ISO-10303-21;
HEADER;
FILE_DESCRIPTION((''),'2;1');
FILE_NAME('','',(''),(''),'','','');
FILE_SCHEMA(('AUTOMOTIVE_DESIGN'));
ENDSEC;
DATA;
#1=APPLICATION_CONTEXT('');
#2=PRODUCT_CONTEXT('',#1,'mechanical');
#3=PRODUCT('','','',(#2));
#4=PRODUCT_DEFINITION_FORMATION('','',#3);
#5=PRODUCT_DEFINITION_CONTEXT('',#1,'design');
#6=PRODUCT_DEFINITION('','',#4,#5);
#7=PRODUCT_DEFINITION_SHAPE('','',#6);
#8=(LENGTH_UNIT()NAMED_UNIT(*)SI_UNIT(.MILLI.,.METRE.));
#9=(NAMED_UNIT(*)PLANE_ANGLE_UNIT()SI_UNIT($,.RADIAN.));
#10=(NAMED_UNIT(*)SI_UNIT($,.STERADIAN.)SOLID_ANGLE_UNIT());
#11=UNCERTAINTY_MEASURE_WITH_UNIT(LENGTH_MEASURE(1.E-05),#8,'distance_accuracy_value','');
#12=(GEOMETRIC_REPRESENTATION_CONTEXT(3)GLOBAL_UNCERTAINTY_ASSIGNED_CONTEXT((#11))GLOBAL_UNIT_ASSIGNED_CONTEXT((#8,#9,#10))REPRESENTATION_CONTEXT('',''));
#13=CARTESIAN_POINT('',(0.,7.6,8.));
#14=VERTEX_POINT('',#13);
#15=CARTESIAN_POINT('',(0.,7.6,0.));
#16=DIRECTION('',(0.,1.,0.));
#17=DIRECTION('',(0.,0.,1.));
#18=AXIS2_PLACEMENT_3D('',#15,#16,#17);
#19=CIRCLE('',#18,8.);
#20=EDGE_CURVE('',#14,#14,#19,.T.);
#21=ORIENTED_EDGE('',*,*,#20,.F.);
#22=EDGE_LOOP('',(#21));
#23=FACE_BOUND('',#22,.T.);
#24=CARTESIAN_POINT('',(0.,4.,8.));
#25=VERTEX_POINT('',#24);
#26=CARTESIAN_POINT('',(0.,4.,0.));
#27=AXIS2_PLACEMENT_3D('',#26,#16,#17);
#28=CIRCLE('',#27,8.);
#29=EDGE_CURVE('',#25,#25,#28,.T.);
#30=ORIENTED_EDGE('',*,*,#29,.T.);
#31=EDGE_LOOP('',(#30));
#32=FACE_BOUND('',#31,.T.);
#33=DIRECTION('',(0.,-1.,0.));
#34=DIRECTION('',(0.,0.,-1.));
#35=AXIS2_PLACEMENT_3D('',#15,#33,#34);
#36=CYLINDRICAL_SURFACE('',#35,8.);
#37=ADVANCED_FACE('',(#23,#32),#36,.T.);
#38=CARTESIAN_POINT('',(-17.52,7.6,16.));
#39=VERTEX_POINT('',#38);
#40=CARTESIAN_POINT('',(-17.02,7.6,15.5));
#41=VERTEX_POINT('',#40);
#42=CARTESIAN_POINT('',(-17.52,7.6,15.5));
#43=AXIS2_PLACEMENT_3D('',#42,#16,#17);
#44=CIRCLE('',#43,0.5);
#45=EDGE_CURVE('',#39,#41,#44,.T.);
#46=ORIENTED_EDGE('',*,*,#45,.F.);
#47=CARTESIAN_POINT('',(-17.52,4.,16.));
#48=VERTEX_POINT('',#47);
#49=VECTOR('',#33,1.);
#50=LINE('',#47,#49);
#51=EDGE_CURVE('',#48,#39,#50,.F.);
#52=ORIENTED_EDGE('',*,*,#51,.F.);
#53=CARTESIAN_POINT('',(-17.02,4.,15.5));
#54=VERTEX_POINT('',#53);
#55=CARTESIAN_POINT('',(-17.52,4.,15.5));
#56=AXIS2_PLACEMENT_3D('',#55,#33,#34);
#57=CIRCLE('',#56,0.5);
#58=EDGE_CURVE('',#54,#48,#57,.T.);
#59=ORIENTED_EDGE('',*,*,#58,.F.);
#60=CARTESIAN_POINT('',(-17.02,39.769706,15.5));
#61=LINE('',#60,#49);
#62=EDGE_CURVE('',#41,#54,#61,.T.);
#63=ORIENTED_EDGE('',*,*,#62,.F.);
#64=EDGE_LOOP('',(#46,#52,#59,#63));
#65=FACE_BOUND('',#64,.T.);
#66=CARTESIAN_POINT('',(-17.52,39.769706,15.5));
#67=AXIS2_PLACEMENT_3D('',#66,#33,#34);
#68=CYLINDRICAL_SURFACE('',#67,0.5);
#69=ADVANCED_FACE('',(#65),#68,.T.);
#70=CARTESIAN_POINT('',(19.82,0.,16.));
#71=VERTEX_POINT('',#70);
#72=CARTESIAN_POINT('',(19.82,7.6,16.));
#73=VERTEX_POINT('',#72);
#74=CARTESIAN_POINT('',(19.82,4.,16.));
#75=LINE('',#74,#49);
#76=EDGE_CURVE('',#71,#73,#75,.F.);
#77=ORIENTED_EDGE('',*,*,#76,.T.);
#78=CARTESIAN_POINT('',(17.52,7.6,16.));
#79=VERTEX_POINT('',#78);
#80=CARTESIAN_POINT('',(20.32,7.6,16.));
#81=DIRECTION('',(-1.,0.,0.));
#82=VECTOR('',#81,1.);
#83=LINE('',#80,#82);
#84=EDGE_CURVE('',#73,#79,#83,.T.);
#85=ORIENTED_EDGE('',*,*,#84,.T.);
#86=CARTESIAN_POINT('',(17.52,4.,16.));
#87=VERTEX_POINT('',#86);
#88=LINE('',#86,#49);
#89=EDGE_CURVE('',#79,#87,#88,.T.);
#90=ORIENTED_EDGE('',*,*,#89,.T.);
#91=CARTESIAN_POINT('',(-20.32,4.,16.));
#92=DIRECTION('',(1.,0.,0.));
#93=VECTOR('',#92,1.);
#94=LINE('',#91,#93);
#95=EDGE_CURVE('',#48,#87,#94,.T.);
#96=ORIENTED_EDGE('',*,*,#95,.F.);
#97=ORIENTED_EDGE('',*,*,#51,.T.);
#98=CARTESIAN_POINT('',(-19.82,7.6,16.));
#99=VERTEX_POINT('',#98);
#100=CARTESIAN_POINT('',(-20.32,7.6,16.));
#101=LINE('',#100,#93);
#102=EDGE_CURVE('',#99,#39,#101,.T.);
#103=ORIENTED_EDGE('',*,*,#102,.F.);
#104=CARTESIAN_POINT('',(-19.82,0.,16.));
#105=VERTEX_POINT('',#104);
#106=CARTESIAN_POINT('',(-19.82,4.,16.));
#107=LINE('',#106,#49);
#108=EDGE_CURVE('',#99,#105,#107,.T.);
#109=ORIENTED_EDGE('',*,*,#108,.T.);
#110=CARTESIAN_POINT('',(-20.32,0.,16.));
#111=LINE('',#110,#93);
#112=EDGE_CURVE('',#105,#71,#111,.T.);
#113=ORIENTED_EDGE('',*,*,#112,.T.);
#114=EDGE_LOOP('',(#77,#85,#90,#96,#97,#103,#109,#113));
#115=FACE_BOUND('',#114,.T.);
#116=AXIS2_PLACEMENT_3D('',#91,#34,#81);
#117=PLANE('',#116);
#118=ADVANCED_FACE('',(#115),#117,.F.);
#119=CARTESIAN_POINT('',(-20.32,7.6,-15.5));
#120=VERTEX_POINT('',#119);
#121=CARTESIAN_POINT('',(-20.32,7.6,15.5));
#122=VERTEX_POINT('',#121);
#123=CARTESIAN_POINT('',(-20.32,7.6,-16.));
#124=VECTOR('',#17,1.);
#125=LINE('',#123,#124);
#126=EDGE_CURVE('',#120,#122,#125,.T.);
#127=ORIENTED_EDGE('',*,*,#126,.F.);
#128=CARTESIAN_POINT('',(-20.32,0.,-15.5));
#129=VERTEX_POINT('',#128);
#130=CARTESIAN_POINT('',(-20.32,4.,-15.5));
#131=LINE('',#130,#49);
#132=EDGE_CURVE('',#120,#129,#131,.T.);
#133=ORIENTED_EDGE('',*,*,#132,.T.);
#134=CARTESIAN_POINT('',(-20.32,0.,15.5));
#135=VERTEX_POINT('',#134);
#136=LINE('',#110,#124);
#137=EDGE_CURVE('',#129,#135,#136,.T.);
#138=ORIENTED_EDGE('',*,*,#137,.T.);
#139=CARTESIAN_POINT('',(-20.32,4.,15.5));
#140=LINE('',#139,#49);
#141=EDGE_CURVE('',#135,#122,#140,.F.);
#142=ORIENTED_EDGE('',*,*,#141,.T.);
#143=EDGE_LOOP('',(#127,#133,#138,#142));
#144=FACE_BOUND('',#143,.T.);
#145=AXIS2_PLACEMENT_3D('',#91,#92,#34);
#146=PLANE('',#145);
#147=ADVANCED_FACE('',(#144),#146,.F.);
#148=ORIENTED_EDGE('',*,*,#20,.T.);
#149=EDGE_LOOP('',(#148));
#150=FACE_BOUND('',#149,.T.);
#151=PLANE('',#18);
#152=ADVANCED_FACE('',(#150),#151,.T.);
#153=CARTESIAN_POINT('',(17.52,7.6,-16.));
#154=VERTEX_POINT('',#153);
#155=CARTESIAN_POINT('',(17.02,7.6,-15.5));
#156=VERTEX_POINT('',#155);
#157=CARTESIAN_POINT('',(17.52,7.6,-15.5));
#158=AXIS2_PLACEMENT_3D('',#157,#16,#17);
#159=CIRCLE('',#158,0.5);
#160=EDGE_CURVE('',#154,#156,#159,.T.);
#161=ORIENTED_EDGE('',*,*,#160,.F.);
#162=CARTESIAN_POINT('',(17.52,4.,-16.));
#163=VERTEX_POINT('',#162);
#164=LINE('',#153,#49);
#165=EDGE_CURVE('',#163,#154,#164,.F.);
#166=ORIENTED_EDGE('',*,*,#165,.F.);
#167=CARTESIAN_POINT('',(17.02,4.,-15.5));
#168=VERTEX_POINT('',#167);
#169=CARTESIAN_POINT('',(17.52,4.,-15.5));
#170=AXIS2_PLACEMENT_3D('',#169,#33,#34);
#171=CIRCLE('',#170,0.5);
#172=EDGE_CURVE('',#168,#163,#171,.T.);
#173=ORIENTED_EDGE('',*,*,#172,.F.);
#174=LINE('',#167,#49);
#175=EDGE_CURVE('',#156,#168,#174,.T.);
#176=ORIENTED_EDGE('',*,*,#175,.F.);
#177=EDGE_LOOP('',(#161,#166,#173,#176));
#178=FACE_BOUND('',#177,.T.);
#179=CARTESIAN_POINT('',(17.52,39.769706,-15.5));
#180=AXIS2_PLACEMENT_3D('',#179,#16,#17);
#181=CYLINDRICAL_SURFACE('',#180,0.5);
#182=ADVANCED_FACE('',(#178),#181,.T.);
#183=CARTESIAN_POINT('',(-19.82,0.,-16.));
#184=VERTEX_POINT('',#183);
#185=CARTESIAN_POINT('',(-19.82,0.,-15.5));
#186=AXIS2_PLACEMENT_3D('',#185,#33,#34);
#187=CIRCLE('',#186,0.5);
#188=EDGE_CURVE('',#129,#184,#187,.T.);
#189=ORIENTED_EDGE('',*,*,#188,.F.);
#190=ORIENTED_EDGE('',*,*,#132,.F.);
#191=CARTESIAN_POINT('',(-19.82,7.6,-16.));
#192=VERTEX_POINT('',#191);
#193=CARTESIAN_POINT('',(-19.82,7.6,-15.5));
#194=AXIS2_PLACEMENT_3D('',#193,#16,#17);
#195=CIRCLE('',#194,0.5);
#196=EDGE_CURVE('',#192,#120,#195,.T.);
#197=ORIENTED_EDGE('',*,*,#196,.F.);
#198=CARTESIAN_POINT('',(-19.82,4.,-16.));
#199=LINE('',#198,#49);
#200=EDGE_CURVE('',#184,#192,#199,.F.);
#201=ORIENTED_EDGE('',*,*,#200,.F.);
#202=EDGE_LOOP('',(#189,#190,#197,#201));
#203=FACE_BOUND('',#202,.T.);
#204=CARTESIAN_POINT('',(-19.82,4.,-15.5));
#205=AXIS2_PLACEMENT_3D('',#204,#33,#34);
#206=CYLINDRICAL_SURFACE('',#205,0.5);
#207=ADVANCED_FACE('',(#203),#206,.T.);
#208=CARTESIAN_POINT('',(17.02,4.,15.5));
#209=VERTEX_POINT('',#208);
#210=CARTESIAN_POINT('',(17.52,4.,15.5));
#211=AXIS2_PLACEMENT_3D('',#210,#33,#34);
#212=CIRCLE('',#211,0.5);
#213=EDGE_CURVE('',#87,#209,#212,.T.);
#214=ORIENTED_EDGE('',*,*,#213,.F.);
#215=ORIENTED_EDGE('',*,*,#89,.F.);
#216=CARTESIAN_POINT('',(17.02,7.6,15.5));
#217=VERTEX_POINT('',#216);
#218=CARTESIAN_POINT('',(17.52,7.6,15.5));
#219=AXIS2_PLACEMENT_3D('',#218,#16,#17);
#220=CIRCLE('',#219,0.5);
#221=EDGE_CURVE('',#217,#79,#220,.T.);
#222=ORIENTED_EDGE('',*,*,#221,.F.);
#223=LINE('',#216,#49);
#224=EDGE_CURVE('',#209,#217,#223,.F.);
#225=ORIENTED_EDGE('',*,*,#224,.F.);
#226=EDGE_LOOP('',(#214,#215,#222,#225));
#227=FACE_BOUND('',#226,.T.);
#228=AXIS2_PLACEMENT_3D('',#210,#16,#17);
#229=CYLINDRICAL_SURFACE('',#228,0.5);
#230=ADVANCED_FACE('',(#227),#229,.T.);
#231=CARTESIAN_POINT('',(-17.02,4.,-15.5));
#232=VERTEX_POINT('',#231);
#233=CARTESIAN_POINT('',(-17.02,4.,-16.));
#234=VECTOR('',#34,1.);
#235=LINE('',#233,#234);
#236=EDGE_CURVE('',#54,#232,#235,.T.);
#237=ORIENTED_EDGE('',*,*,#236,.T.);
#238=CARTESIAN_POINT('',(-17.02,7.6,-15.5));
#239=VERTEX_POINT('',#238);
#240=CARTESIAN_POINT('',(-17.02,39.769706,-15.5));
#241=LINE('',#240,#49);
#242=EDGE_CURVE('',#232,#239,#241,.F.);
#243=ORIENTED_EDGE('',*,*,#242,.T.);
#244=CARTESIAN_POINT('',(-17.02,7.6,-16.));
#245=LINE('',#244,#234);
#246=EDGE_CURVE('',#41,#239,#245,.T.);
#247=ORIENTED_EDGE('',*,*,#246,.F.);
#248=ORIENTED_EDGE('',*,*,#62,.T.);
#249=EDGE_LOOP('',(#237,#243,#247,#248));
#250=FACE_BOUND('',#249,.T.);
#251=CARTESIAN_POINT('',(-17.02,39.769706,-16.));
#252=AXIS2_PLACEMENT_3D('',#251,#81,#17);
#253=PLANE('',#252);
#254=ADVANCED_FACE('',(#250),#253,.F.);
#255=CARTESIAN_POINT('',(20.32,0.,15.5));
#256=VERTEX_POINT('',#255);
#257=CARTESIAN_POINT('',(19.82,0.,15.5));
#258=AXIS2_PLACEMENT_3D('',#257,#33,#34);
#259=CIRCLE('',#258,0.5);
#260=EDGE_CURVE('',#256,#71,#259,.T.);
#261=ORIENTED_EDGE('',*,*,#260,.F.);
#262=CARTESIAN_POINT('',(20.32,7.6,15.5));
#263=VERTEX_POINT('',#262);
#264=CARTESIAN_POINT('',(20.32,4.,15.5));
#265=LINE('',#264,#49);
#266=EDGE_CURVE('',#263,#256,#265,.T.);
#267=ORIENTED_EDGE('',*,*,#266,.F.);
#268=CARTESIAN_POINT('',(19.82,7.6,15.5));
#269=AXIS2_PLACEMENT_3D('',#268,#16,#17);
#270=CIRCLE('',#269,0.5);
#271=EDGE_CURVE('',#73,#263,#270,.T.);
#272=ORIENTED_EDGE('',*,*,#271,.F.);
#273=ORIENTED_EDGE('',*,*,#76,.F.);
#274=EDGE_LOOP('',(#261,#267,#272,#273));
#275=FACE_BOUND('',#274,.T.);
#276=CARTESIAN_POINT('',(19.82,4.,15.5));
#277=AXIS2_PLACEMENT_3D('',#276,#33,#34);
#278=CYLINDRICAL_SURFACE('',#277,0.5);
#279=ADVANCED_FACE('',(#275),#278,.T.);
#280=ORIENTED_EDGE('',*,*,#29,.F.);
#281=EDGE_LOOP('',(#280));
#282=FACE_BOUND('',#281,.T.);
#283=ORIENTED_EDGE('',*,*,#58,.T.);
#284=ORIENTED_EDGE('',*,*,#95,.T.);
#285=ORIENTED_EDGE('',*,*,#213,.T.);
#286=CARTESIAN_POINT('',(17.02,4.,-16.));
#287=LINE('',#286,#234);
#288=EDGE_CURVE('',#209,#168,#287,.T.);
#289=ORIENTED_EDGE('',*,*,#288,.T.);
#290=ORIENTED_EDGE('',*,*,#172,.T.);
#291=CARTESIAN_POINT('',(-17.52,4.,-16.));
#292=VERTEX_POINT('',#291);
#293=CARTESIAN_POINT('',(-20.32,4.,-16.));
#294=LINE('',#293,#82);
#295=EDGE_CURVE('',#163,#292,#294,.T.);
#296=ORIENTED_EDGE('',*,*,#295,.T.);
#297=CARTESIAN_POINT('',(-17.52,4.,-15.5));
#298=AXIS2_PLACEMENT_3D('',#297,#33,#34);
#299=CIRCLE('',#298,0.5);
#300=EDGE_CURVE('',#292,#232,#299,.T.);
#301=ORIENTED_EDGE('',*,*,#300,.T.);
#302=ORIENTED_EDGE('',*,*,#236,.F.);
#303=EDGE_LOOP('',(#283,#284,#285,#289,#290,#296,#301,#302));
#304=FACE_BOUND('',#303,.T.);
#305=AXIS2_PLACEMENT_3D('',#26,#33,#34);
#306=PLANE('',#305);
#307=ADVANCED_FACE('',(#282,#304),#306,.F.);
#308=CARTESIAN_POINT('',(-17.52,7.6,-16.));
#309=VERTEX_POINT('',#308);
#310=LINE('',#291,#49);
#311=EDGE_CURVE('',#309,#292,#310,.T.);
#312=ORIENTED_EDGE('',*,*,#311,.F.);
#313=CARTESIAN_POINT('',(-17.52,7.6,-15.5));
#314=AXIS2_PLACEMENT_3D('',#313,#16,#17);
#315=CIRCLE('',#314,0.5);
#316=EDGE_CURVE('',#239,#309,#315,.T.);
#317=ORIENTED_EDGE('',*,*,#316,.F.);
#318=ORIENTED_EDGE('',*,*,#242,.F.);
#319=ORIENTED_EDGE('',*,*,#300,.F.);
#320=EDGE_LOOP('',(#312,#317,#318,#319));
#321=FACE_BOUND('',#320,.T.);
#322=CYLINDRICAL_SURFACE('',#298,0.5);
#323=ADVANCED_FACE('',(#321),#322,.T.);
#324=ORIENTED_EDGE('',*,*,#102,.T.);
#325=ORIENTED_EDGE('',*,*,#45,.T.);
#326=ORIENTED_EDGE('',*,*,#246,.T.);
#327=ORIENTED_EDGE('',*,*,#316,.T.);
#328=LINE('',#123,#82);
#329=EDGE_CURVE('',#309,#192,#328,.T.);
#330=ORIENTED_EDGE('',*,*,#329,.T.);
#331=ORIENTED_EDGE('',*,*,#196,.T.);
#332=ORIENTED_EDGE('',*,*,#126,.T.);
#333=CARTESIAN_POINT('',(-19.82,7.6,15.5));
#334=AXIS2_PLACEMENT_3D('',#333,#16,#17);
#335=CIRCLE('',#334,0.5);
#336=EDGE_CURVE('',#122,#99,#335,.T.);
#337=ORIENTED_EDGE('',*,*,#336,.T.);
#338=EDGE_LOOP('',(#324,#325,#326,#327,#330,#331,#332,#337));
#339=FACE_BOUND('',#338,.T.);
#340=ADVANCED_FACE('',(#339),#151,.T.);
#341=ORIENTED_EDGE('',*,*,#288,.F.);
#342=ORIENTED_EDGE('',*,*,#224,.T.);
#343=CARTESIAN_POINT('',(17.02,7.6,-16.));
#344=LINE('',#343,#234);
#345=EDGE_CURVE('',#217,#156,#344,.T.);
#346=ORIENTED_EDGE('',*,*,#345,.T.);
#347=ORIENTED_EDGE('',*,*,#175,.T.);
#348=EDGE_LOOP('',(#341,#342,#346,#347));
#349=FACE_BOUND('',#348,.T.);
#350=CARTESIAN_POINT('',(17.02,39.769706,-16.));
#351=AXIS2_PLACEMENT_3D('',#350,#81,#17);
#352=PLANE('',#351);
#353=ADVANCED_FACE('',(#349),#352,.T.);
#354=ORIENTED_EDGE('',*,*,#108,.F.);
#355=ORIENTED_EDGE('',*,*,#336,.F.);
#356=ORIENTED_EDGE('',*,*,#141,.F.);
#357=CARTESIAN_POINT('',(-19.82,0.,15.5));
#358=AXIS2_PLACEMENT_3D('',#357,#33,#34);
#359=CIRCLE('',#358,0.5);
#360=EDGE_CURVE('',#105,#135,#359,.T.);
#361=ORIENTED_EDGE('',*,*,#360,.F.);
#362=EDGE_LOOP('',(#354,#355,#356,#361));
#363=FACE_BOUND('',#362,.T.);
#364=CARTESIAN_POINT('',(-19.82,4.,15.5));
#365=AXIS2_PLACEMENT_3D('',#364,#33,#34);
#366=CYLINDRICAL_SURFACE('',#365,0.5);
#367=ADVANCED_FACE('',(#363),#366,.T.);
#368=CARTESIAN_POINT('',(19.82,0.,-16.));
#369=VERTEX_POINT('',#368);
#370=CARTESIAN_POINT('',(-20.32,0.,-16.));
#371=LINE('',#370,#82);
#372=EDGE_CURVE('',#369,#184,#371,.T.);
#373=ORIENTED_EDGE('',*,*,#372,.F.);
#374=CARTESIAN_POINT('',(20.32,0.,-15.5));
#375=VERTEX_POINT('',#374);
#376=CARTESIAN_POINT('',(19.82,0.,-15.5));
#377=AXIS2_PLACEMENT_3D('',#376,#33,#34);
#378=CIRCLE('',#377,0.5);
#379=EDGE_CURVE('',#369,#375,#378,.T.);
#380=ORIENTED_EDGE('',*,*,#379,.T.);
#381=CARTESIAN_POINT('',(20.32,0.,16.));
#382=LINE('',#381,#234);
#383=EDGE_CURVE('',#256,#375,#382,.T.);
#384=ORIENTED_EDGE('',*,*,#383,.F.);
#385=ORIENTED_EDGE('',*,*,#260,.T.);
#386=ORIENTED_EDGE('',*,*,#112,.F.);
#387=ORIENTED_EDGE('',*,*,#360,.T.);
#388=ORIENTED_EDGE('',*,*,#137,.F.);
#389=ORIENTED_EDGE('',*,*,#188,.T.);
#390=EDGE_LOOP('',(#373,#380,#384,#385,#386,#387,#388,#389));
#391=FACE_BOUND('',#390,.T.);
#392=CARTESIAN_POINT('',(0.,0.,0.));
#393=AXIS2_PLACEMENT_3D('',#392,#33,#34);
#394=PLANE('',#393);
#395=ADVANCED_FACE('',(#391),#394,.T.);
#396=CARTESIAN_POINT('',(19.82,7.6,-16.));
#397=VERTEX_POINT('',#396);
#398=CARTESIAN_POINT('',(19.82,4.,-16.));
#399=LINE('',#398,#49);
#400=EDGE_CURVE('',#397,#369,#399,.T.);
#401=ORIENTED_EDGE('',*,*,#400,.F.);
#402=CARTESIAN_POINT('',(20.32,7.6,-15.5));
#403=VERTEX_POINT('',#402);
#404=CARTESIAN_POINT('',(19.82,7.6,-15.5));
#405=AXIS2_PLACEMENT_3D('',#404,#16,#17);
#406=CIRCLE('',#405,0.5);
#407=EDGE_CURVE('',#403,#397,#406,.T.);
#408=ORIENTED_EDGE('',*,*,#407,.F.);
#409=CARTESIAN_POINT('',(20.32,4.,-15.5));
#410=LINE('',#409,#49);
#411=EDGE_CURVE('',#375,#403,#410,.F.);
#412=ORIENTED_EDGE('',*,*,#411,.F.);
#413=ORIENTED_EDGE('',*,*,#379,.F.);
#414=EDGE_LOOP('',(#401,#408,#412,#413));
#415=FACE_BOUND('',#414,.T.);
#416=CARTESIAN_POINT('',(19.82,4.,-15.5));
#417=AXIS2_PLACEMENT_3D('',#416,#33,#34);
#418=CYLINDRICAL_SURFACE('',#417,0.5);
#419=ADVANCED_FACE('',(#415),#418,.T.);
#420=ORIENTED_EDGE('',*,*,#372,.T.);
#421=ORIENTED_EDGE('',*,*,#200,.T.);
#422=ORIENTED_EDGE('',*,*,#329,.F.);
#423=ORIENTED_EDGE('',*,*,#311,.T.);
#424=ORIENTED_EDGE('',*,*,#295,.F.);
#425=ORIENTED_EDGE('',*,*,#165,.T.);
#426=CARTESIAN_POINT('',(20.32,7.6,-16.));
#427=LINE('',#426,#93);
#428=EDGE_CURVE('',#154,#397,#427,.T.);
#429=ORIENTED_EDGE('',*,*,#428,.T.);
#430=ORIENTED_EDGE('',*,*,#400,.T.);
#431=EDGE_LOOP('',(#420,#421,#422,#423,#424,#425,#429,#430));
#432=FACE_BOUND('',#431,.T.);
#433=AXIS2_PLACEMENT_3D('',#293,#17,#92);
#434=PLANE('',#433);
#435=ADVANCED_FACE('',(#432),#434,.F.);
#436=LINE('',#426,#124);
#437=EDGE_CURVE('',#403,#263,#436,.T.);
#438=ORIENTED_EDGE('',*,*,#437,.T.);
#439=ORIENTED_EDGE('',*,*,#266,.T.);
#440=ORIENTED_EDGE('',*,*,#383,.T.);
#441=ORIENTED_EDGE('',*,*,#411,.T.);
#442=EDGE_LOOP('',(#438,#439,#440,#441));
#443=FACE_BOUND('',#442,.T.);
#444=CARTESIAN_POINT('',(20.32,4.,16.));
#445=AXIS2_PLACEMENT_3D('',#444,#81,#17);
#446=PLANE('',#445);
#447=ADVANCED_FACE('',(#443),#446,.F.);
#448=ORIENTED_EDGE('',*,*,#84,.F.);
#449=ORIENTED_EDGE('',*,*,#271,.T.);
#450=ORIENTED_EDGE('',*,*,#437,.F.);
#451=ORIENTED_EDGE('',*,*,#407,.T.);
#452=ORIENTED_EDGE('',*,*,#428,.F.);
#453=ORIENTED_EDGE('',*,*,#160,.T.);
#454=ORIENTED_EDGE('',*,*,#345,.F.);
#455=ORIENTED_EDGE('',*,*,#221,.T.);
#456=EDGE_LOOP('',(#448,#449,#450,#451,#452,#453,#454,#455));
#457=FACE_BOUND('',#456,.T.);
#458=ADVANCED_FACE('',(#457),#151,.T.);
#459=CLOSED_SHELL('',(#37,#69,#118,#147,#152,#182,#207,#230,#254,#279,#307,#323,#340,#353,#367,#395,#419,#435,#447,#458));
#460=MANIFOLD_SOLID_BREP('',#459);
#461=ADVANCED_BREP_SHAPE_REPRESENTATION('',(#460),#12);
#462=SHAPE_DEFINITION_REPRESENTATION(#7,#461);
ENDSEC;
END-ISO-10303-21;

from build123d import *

# Parameters (mm, degrees)
SKETCH1_W           = 40.64
SKETCH1_H           = 32
BOSS_EXTRUDE1_DEPTH = 4
SKETCH2_R           = 8
BOSS_EXTRUDE2_DEPTH = 3.6
SKETCH3_W           = 3.3
SKETCH3_H           = 32
BOSS_EXTRUDE3_DEPTH = 3.6
FILLET1_R           = 0.5


with BuildPart() as part:
    # Sketch1 → Boss-Extrude1 (new body)
    with BuildSketch(Plane(origin=(0, 0, 0), x_dir=(1, 0, 0), z_dir=(0, 1, 0))):
        Rectangle(SKETCH1_W, SKETCH1_H)
    extrude(amount=BOSS_EXTRUDE1_DEPTH)

    # Sketch2 → Boss-Extrude2 (add)
    with BuildSketch(Plane(origin=(0, 4, 0), x_dir=(1, 0, 0), z_dir=(0, 1, 0))):
        with Locations(Location((0, 0, 0), (0, 0, 270))):
            Circle(SKETCH2_R)
    extrude(amount=BOSS_EXTRUDE2_DEPTH)

    # Sketch3 → Boss-Extrude3 (add)
    with BuildSketch(Plane(origin=(0, 4, 0), x_dir=(1, 0, 0), z_dir=(0, 1, 0))):
        with Locations((-18.67, 0)):
            Rectangle(SKETCH3_W, SKETCH3_H)
    boss_extrude3 = extrude(amount=BOSS_EXTRUDE3_DEPTH)

    # Mirror1: Boss-Extrude3 across plane
    add(boss_extrude3.mirror(Plane(origin=(0, 0, 0), x_dir=(0, 0, 1), z_dir=(1, 0, 0))))

    # Fillet1
    fillet1_edges = [part.edges().sort_by_distance(p)[0] for p in [
        (-17.02, 5.8, 16),
        (-17.02, 5.8, -16),
        (17.02, 5.8, 16),
        (17.02, 5.8, -16),
        (20.32, 3.8, 16),
        (-20.32, 3.8, 16),
        (-20.32, 3.8, -16),
        (20.32, 3.8, -16),
    ]]
    fillet(fillet1_edges, radius=FILLET1_R)


solid = part.part
